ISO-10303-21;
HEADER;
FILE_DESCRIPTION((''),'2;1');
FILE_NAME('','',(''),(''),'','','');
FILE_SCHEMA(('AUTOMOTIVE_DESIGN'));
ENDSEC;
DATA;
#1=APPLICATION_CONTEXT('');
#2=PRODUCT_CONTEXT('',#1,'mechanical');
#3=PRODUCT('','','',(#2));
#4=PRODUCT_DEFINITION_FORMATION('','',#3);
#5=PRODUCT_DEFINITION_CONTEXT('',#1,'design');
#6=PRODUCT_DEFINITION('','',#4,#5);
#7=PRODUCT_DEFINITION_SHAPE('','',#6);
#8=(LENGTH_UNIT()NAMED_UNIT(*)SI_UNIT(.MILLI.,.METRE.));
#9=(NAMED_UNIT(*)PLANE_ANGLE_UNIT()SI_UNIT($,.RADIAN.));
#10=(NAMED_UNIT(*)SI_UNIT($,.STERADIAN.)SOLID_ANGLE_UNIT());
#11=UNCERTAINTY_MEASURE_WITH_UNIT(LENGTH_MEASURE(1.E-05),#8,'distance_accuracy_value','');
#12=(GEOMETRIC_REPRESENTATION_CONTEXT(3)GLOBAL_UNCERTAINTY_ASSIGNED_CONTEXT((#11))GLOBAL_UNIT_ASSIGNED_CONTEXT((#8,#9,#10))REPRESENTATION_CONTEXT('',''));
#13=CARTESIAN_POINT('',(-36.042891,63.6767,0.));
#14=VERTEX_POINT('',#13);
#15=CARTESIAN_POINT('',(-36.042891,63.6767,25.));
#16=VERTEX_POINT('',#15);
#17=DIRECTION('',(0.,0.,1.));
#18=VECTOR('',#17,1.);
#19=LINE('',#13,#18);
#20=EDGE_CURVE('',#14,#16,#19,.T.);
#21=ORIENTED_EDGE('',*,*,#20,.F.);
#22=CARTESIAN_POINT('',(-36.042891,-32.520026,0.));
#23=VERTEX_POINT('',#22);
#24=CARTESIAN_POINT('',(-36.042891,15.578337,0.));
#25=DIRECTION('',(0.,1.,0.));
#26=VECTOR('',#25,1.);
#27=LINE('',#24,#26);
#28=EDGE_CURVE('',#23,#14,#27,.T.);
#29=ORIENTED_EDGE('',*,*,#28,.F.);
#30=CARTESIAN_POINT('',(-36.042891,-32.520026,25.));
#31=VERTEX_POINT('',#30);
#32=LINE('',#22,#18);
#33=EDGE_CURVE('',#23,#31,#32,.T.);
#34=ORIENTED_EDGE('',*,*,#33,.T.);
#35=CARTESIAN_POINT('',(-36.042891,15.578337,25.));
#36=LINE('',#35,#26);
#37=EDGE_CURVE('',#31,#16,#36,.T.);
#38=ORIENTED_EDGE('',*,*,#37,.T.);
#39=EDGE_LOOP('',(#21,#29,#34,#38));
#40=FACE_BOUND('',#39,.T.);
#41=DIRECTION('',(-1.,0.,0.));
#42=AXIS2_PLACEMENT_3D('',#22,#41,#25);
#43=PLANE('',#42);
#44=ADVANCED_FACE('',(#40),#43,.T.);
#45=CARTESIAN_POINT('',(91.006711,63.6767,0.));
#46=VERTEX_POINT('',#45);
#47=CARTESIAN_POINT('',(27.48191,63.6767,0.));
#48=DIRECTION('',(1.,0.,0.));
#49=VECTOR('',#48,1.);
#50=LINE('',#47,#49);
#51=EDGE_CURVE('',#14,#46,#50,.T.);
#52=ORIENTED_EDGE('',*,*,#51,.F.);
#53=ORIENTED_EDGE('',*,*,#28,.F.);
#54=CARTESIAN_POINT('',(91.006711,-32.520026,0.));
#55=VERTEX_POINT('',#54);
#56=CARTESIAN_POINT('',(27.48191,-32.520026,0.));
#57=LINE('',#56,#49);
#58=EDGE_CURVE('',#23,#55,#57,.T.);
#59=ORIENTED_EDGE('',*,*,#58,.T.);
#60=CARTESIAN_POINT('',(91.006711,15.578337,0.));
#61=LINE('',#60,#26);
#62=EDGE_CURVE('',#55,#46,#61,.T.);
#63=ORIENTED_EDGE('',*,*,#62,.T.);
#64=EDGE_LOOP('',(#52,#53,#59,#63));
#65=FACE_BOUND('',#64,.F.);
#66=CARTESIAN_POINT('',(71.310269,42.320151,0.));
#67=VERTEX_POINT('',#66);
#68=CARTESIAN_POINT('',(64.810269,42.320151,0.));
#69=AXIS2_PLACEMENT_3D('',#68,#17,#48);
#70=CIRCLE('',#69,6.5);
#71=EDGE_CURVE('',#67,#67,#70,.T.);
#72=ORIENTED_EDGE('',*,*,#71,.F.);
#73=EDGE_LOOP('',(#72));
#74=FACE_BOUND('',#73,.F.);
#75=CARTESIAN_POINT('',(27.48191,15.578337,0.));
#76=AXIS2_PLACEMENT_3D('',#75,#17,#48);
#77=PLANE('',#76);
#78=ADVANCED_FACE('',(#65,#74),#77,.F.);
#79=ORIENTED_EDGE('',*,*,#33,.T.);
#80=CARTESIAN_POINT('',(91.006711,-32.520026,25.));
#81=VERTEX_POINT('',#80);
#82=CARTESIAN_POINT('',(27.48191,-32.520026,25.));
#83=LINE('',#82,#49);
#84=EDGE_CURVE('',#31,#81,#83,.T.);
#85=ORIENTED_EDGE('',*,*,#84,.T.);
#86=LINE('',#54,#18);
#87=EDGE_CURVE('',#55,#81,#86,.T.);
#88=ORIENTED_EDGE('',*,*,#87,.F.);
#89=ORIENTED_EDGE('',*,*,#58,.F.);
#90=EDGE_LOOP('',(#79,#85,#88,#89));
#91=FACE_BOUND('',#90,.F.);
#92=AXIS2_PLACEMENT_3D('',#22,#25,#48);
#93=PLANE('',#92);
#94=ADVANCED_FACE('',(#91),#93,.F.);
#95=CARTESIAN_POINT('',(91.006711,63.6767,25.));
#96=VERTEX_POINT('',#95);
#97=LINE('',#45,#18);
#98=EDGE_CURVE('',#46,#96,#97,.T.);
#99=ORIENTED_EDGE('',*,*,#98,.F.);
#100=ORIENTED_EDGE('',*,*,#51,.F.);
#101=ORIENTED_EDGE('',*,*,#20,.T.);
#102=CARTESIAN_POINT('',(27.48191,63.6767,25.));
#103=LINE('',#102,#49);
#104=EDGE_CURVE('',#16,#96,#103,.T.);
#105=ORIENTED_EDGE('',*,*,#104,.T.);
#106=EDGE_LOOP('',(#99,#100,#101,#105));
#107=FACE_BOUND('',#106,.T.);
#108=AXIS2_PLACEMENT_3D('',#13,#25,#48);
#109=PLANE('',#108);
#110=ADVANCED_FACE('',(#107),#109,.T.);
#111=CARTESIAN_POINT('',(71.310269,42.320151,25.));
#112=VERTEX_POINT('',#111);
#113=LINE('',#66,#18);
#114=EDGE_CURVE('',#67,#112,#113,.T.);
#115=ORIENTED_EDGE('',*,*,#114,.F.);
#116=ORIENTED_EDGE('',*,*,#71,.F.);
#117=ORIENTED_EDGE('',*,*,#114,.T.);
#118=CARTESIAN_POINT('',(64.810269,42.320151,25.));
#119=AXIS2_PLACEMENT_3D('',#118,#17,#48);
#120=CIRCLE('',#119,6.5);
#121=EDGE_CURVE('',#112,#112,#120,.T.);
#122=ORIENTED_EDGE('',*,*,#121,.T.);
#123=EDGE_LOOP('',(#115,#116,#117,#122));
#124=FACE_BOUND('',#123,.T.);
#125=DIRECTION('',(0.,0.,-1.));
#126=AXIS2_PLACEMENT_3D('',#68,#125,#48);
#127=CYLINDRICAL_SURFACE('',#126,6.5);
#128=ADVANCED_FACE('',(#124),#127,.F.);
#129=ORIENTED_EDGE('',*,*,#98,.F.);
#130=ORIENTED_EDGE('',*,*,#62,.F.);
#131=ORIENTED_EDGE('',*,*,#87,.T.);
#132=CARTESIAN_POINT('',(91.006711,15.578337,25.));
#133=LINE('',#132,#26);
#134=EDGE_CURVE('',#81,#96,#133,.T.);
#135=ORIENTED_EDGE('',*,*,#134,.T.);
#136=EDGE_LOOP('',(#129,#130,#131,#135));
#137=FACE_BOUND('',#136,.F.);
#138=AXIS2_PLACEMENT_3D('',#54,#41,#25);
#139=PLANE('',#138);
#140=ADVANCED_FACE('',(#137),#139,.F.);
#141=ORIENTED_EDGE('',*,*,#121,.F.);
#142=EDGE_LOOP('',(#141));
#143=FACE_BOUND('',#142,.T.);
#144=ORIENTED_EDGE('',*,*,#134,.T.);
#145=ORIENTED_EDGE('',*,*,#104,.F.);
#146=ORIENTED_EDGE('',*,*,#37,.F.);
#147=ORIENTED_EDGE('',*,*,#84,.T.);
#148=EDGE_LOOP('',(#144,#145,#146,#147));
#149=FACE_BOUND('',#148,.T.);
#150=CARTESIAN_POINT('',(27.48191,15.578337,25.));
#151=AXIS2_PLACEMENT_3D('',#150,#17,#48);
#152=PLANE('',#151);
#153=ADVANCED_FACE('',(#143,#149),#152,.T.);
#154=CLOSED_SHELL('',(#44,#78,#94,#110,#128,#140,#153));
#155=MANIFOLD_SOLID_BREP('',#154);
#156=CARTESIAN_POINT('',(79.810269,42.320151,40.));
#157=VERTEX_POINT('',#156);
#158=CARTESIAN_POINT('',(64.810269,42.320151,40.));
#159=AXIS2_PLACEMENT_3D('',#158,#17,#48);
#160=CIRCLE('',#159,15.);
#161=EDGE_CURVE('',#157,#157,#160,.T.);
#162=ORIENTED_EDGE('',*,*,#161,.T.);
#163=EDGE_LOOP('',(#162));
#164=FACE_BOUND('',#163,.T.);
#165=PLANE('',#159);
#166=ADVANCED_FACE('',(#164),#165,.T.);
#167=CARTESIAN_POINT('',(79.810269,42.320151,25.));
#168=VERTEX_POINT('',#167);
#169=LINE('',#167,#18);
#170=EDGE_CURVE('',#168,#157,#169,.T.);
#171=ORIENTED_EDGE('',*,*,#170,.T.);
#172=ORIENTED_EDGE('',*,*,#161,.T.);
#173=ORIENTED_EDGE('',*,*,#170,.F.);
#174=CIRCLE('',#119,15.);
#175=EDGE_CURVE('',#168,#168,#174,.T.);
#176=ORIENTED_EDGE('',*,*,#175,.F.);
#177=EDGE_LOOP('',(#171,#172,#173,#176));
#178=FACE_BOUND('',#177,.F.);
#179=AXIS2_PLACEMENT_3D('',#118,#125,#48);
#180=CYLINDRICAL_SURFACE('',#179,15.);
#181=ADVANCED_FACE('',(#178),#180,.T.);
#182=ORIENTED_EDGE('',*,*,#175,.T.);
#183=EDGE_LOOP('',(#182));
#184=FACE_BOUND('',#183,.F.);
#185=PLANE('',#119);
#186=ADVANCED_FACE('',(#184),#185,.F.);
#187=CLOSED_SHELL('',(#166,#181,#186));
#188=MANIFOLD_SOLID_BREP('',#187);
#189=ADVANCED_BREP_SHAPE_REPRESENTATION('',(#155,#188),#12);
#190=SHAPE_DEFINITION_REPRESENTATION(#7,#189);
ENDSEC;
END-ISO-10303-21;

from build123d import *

# Parameters (mm, degrees)
F0_W     = 127.049602
F0_H     = 96.196726
F0_R     = 6.5
F1_DEPTH = 25
F2_R     = 15
F3_DEPTH = 15


with BuildPart() as f1:
    # F0 (on Top) → F1 (new body)
    with BuildSketch(Plane.XY):
        with Locations((27.48191, 15.578337)):
            Rectangle(F0_W, F0_H)
        with Locations((64.810269, 42.320151)):
            Circle(F0_R, mode=Mode.SUBTRACT)
    extrude(amount=F1_DEPTH)


with BuildPart() as f3:
    # F2 (on face) → F3 (new body)
    with BuildSketch(Plane.XY.offset(25)):
        with Locations((64.810269, 42.320151)):
            Circle(F2_R)
    extrude(amount=F3_DEPTH)


solid = Compound([f1.part, f3.part])
